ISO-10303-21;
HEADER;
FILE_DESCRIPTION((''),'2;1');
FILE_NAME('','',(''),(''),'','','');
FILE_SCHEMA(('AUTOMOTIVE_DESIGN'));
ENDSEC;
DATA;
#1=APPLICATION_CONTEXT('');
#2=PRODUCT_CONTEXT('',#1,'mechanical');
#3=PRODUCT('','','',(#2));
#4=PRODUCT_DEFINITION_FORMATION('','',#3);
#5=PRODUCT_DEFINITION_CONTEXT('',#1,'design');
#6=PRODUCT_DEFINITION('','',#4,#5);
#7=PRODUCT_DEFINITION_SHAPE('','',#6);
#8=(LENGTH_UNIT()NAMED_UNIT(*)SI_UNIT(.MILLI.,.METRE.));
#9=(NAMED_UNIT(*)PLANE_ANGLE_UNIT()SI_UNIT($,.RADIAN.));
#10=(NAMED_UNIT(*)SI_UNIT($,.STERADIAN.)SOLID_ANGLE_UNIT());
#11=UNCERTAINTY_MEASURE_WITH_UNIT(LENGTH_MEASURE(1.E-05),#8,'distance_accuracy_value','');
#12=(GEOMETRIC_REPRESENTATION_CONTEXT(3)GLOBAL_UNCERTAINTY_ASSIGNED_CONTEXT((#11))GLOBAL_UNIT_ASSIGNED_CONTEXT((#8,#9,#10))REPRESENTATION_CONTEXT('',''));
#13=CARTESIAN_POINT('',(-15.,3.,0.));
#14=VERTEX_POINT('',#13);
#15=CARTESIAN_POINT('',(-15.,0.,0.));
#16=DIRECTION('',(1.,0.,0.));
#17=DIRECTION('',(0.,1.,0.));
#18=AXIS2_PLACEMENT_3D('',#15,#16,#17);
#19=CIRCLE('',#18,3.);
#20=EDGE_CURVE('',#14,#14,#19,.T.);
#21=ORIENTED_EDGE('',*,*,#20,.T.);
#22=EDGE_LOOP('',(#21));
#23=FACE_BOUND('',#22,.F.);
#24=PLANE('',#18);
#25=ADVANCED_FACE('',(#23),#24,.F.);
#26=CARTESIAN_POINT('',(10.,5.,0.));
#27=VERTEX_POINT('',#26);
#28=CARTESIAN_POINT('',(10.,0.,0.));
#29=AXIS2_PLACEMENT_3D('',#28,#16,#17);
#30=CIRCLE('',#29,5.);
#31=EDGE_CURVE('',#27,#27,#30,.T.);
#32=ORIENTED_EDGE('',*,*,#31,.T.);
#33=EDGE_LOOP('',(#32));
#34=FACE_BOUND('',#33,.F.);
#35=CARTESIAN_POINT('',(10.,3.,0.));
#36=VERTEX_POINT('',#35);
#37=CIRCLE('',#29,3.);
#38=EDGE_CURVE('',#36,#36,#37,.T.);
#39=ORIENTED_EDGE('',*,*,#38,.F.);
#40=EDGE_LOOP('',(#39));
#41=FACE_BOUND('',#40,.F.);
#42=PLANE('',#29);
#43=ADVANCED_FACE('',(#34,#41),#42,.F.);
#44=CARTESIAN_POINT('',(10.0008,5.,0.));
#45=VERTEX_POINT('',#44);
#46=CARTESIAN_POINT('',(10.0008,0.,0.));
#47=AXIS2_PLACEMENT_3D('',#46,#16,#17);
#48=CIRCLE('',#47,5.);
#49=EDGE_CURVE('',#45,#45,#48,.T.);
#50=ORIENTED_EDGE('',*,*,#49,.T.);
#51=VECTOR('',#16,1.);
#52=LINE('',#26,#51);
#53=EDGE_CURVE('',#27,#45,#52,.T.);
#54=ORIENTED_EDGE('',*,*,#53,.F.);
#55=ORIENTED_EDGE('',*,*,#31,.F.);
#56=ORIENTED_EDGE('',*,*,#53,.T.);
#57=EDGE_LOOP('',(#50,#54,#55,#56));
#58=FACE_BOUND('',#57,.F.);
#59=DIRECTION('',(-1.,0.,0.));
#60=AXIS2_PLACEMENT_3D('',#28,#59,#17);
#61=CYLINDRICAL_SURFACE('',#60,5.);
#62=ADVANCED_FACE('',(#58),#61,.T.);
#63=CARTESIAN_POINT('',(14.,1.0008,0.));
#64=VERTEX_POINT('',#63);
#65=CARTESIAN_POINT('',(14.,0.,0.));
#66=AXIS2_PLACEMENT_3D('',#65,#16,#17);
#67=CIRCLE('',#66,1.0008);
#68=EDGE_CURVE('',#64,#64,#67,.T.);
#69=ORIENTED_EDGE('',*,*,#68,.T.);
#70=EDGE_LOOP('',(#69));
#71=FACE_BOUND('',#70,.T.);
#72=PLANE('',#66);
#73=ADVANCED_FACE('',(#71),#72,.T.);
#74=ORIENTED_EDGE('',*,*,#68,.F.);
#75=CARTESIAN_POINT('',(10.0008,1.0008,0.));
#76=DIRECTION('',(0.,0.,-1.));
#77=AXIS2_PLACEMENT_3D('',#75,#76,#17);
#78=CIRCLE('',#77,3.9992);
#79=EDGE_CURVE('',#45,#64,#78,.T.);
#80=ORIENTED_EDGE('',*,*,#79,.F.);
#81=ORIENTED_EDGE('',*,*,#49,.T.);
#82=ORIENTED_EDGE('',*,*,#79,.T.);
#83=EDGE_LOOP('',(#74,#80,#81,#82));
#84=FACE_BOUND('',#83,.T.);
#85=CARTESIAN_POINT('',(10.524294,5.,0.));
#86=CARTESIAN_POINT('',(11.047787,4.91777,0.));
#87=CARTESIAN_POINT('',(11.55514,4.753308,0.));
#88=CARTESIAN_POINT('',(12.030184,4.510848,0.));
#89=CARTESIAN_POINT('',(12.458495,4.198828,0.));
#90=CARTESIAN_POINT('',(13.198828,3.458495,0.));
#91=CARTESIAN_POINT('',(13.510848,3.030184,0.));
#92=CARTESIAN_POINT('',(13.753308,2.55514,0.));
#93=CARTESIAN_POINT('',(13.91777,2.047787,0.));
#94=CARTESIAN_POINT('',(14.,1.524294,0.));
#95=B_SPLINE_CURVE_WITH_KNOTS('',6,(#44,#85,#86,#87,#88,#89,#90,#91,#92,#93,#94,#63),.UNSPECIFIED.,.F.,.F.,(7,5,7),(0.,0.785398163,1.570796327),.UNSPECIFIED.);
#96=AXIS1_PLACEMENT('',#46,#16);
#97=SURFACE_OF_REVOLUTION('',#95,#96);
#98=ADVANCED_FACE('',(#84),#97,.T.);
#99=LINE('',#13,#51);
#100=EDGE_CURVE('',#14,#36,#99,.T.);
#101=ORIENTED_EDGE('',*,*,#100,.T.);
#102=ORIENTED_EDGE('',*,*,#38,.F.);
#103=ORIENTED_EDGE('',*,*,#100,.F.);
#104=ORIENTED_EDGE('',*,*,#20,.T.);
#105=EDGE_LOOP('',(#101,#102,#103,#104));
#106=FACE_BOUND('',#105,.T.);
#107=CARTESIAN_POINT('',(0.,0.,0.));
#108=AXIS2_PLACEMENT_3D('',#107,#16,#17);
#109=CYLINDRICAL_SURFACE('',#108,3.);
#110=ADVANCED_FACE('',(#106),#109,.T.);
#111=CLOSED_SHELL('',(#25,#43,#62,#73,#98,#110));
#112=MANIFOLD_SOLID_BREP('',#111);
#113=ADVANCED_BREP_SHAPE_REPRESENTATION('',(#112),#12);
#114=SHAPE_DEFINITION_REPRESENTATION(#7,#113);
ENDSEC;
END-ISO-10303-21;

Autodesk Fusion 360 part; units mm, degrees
sketch "Sketch1" plane through (0, 0, 0) normal (1, 0, 0) x (0, 1, 0)
  circle A0 centre (0, 0) radius 3
  dimension "d1" = 6
extrude "Extrude1" add sketch "Sketch1" against normal blind 15
extrude "Extrude2" add 1 faces at (0, -1.1591, 0.5829) along direction (1, 0, 0) blind 10
sketch "Sketch2" plane through (10, 0, 0) normal (1, 0, 0) x (0, 1, 0)
  circle A0 centre (0, 0) radius 3
  circle A1 centre (0, 0) radius 5
  dimension "d7" = 10
extrude "Extrude3" add sketch "Sketch2" along normal blind 4 contours A0 | A1
fillet "Fillet1" radius 4 1 edges at (14, -4.6616, -1.8081)
thread "Thread1"
